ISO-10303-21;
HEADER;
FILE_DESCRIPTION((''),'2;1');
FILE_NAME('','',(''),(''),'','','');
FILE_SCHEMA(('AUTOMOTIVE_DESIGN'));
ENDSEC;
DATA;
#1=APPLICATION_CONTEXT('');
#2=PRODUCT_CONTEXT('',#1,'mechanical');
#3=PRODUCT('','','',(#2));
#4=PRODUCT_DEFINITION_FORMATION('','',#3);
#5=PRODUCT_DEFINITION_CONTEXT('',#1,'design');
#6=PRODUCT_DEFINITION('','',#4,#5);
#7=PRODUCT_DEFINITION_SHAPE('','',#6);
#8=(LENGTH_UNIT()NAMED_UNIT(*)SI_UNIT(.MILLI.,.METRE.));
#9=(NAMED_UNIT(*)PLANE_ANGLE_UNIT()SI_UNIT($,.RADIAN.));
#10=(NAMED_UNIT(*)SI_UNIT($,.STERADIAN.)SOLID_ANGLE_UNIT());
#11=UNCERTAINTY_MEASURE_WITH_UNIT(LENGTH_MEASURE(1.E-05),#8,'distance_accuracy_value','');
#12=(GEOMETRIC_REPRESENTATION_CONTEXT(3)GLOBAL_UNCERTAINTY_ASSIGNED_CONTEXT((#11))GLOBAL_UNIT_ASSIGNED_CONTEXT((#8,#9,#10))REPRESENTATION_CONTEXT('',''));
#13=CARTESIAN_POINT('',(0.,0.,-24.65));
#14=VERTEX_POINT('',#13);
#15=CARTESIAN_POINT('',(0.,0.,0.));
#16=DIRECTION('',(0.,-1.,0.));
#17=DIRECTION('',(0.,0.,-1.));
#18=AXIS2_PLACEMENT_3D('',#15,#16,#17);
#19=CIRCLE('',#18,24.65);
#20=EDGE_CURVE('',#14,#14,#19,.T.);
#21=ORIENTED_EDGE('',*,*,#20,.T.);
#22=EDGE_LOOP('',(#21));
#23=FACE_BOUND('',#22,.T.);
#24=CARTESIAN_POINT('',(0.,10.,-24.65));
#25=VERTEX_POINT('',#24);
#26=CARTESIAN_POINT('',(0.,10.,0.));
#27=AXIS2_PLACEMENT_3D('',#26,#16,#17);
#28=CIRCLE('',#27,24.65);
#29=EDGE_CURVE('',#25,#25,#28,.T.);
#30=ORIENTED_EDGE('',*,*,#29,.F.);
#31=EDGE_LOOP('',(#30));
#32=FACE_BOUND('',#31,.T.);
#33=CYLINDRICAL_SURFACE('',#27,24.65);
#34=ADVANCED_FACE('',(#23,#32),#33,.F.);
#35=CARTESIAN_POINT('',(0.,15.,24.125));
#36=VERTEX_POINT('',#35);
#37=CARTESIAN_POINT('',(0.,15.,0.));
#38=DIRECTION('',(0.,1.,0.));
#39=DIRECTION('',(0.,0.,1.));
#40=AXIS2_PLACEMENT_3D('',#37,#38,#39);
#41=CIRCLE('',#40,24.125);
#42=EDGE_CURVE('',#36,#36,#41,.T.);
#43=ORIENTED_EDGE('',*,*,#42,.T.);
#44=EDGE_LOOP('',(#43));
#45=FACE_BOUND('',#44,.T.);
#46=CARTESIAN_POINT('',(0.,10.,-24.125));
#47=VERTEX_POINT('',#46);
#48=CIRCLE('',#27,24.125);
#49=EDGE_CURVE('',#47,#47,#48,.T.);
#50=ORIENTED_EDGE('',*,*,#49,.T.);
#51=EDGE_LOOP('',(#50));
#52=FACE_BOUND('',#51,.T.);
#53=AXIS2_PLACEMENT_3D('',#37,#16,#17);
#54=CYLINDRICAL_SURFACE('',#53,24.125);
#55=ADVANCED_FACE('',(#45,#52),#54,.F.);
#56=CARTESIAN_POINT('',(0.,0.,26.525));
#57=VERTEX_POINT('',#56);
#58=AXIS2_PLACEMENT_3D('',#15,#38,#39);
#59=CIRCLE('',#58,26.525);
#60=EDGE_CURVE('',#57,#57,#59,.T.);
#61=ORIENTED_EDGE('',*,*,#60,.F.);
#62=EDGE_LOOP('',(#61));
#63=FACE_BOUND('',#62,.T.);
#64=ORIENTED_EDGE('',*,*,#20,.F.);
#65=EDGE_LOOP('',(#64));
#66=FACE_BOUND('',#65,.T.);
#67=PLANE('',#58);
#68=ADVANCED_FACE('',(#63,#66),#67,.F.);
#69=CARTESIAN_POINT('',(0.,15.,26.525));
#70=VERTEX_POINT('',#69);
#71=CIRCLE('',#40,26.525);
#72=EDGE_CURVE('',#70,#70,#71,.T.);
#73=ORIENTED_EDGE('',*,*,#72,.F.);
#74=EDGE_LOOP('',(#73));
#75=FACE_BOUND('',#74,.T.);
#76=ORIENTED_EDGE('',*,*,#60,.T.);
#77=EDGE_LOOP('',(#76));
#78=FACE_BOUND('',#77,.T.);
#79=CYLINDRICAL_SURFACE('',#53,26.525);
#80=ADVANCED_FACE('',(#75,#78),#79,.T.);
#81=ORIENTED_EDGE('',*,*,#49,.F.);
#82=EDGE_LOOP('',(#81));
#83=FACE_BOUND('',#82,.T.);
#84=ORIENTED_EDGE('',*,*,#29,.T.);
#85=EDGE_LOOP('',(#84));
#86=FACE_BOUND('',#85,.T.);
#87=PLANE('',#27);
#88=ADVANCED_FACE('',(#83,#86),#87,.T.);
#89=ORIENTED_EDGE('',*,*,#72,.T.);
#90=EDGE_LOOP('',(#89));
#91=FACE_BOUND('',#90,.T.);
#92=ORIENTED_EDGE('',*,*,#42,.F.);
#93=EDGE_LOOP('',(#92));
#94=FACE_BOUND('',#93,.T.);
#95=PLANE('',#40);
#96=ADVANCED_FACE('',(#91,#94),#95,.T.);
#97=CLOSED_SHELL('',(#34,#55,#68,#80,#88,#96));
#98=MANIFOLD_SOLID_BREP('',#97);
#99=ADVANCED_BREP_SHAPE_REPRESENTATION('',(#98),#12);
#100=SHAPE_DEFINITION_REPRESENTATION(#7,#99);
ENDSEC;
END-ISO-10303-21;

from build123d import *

# Parameters (mm, degrees)
SKETCH1_R           = 26.525
SKETCH1_R_2         = 24.125
BOSS_EXTRUDE1_DEPTH = 15
SKETCH2_R           = 24.65
CUT_EXTRUDE1_DEPTH  = 10


with BuildPart() as part:
    # Sketch1 → Boss-Extrude1 (new body)
    with BuildSketch(Plane(origin=(0, 0, 0), x_dir=(1, 0, 0), z_dir=(0, 1, 0))):
        with Locations(Location((0, 0, 0), (0, 0, 270))):
            Circle(SKETCH1_R)
        with Locations(Location((0, 0, 0), (0, 0, 270))):
            Circle(SKETCH1_R_2, mode=Mode.SUBTRACT)
    extrude(amount=BOSS_EXTRUDE1_DEPTH)

    # Sketch2 → Cut-Extrude1 (cut)
    with BuildSketch(Plane.XZ):
        with Locations(Location((0, 0, 0), (0, 0, 270))):
            Circle(SKETCH2_R)
    extrude(amount=-CUT_EXTRUDE1_DEPTH, mode=Mode.SUBTRACT)


solid = part.part
